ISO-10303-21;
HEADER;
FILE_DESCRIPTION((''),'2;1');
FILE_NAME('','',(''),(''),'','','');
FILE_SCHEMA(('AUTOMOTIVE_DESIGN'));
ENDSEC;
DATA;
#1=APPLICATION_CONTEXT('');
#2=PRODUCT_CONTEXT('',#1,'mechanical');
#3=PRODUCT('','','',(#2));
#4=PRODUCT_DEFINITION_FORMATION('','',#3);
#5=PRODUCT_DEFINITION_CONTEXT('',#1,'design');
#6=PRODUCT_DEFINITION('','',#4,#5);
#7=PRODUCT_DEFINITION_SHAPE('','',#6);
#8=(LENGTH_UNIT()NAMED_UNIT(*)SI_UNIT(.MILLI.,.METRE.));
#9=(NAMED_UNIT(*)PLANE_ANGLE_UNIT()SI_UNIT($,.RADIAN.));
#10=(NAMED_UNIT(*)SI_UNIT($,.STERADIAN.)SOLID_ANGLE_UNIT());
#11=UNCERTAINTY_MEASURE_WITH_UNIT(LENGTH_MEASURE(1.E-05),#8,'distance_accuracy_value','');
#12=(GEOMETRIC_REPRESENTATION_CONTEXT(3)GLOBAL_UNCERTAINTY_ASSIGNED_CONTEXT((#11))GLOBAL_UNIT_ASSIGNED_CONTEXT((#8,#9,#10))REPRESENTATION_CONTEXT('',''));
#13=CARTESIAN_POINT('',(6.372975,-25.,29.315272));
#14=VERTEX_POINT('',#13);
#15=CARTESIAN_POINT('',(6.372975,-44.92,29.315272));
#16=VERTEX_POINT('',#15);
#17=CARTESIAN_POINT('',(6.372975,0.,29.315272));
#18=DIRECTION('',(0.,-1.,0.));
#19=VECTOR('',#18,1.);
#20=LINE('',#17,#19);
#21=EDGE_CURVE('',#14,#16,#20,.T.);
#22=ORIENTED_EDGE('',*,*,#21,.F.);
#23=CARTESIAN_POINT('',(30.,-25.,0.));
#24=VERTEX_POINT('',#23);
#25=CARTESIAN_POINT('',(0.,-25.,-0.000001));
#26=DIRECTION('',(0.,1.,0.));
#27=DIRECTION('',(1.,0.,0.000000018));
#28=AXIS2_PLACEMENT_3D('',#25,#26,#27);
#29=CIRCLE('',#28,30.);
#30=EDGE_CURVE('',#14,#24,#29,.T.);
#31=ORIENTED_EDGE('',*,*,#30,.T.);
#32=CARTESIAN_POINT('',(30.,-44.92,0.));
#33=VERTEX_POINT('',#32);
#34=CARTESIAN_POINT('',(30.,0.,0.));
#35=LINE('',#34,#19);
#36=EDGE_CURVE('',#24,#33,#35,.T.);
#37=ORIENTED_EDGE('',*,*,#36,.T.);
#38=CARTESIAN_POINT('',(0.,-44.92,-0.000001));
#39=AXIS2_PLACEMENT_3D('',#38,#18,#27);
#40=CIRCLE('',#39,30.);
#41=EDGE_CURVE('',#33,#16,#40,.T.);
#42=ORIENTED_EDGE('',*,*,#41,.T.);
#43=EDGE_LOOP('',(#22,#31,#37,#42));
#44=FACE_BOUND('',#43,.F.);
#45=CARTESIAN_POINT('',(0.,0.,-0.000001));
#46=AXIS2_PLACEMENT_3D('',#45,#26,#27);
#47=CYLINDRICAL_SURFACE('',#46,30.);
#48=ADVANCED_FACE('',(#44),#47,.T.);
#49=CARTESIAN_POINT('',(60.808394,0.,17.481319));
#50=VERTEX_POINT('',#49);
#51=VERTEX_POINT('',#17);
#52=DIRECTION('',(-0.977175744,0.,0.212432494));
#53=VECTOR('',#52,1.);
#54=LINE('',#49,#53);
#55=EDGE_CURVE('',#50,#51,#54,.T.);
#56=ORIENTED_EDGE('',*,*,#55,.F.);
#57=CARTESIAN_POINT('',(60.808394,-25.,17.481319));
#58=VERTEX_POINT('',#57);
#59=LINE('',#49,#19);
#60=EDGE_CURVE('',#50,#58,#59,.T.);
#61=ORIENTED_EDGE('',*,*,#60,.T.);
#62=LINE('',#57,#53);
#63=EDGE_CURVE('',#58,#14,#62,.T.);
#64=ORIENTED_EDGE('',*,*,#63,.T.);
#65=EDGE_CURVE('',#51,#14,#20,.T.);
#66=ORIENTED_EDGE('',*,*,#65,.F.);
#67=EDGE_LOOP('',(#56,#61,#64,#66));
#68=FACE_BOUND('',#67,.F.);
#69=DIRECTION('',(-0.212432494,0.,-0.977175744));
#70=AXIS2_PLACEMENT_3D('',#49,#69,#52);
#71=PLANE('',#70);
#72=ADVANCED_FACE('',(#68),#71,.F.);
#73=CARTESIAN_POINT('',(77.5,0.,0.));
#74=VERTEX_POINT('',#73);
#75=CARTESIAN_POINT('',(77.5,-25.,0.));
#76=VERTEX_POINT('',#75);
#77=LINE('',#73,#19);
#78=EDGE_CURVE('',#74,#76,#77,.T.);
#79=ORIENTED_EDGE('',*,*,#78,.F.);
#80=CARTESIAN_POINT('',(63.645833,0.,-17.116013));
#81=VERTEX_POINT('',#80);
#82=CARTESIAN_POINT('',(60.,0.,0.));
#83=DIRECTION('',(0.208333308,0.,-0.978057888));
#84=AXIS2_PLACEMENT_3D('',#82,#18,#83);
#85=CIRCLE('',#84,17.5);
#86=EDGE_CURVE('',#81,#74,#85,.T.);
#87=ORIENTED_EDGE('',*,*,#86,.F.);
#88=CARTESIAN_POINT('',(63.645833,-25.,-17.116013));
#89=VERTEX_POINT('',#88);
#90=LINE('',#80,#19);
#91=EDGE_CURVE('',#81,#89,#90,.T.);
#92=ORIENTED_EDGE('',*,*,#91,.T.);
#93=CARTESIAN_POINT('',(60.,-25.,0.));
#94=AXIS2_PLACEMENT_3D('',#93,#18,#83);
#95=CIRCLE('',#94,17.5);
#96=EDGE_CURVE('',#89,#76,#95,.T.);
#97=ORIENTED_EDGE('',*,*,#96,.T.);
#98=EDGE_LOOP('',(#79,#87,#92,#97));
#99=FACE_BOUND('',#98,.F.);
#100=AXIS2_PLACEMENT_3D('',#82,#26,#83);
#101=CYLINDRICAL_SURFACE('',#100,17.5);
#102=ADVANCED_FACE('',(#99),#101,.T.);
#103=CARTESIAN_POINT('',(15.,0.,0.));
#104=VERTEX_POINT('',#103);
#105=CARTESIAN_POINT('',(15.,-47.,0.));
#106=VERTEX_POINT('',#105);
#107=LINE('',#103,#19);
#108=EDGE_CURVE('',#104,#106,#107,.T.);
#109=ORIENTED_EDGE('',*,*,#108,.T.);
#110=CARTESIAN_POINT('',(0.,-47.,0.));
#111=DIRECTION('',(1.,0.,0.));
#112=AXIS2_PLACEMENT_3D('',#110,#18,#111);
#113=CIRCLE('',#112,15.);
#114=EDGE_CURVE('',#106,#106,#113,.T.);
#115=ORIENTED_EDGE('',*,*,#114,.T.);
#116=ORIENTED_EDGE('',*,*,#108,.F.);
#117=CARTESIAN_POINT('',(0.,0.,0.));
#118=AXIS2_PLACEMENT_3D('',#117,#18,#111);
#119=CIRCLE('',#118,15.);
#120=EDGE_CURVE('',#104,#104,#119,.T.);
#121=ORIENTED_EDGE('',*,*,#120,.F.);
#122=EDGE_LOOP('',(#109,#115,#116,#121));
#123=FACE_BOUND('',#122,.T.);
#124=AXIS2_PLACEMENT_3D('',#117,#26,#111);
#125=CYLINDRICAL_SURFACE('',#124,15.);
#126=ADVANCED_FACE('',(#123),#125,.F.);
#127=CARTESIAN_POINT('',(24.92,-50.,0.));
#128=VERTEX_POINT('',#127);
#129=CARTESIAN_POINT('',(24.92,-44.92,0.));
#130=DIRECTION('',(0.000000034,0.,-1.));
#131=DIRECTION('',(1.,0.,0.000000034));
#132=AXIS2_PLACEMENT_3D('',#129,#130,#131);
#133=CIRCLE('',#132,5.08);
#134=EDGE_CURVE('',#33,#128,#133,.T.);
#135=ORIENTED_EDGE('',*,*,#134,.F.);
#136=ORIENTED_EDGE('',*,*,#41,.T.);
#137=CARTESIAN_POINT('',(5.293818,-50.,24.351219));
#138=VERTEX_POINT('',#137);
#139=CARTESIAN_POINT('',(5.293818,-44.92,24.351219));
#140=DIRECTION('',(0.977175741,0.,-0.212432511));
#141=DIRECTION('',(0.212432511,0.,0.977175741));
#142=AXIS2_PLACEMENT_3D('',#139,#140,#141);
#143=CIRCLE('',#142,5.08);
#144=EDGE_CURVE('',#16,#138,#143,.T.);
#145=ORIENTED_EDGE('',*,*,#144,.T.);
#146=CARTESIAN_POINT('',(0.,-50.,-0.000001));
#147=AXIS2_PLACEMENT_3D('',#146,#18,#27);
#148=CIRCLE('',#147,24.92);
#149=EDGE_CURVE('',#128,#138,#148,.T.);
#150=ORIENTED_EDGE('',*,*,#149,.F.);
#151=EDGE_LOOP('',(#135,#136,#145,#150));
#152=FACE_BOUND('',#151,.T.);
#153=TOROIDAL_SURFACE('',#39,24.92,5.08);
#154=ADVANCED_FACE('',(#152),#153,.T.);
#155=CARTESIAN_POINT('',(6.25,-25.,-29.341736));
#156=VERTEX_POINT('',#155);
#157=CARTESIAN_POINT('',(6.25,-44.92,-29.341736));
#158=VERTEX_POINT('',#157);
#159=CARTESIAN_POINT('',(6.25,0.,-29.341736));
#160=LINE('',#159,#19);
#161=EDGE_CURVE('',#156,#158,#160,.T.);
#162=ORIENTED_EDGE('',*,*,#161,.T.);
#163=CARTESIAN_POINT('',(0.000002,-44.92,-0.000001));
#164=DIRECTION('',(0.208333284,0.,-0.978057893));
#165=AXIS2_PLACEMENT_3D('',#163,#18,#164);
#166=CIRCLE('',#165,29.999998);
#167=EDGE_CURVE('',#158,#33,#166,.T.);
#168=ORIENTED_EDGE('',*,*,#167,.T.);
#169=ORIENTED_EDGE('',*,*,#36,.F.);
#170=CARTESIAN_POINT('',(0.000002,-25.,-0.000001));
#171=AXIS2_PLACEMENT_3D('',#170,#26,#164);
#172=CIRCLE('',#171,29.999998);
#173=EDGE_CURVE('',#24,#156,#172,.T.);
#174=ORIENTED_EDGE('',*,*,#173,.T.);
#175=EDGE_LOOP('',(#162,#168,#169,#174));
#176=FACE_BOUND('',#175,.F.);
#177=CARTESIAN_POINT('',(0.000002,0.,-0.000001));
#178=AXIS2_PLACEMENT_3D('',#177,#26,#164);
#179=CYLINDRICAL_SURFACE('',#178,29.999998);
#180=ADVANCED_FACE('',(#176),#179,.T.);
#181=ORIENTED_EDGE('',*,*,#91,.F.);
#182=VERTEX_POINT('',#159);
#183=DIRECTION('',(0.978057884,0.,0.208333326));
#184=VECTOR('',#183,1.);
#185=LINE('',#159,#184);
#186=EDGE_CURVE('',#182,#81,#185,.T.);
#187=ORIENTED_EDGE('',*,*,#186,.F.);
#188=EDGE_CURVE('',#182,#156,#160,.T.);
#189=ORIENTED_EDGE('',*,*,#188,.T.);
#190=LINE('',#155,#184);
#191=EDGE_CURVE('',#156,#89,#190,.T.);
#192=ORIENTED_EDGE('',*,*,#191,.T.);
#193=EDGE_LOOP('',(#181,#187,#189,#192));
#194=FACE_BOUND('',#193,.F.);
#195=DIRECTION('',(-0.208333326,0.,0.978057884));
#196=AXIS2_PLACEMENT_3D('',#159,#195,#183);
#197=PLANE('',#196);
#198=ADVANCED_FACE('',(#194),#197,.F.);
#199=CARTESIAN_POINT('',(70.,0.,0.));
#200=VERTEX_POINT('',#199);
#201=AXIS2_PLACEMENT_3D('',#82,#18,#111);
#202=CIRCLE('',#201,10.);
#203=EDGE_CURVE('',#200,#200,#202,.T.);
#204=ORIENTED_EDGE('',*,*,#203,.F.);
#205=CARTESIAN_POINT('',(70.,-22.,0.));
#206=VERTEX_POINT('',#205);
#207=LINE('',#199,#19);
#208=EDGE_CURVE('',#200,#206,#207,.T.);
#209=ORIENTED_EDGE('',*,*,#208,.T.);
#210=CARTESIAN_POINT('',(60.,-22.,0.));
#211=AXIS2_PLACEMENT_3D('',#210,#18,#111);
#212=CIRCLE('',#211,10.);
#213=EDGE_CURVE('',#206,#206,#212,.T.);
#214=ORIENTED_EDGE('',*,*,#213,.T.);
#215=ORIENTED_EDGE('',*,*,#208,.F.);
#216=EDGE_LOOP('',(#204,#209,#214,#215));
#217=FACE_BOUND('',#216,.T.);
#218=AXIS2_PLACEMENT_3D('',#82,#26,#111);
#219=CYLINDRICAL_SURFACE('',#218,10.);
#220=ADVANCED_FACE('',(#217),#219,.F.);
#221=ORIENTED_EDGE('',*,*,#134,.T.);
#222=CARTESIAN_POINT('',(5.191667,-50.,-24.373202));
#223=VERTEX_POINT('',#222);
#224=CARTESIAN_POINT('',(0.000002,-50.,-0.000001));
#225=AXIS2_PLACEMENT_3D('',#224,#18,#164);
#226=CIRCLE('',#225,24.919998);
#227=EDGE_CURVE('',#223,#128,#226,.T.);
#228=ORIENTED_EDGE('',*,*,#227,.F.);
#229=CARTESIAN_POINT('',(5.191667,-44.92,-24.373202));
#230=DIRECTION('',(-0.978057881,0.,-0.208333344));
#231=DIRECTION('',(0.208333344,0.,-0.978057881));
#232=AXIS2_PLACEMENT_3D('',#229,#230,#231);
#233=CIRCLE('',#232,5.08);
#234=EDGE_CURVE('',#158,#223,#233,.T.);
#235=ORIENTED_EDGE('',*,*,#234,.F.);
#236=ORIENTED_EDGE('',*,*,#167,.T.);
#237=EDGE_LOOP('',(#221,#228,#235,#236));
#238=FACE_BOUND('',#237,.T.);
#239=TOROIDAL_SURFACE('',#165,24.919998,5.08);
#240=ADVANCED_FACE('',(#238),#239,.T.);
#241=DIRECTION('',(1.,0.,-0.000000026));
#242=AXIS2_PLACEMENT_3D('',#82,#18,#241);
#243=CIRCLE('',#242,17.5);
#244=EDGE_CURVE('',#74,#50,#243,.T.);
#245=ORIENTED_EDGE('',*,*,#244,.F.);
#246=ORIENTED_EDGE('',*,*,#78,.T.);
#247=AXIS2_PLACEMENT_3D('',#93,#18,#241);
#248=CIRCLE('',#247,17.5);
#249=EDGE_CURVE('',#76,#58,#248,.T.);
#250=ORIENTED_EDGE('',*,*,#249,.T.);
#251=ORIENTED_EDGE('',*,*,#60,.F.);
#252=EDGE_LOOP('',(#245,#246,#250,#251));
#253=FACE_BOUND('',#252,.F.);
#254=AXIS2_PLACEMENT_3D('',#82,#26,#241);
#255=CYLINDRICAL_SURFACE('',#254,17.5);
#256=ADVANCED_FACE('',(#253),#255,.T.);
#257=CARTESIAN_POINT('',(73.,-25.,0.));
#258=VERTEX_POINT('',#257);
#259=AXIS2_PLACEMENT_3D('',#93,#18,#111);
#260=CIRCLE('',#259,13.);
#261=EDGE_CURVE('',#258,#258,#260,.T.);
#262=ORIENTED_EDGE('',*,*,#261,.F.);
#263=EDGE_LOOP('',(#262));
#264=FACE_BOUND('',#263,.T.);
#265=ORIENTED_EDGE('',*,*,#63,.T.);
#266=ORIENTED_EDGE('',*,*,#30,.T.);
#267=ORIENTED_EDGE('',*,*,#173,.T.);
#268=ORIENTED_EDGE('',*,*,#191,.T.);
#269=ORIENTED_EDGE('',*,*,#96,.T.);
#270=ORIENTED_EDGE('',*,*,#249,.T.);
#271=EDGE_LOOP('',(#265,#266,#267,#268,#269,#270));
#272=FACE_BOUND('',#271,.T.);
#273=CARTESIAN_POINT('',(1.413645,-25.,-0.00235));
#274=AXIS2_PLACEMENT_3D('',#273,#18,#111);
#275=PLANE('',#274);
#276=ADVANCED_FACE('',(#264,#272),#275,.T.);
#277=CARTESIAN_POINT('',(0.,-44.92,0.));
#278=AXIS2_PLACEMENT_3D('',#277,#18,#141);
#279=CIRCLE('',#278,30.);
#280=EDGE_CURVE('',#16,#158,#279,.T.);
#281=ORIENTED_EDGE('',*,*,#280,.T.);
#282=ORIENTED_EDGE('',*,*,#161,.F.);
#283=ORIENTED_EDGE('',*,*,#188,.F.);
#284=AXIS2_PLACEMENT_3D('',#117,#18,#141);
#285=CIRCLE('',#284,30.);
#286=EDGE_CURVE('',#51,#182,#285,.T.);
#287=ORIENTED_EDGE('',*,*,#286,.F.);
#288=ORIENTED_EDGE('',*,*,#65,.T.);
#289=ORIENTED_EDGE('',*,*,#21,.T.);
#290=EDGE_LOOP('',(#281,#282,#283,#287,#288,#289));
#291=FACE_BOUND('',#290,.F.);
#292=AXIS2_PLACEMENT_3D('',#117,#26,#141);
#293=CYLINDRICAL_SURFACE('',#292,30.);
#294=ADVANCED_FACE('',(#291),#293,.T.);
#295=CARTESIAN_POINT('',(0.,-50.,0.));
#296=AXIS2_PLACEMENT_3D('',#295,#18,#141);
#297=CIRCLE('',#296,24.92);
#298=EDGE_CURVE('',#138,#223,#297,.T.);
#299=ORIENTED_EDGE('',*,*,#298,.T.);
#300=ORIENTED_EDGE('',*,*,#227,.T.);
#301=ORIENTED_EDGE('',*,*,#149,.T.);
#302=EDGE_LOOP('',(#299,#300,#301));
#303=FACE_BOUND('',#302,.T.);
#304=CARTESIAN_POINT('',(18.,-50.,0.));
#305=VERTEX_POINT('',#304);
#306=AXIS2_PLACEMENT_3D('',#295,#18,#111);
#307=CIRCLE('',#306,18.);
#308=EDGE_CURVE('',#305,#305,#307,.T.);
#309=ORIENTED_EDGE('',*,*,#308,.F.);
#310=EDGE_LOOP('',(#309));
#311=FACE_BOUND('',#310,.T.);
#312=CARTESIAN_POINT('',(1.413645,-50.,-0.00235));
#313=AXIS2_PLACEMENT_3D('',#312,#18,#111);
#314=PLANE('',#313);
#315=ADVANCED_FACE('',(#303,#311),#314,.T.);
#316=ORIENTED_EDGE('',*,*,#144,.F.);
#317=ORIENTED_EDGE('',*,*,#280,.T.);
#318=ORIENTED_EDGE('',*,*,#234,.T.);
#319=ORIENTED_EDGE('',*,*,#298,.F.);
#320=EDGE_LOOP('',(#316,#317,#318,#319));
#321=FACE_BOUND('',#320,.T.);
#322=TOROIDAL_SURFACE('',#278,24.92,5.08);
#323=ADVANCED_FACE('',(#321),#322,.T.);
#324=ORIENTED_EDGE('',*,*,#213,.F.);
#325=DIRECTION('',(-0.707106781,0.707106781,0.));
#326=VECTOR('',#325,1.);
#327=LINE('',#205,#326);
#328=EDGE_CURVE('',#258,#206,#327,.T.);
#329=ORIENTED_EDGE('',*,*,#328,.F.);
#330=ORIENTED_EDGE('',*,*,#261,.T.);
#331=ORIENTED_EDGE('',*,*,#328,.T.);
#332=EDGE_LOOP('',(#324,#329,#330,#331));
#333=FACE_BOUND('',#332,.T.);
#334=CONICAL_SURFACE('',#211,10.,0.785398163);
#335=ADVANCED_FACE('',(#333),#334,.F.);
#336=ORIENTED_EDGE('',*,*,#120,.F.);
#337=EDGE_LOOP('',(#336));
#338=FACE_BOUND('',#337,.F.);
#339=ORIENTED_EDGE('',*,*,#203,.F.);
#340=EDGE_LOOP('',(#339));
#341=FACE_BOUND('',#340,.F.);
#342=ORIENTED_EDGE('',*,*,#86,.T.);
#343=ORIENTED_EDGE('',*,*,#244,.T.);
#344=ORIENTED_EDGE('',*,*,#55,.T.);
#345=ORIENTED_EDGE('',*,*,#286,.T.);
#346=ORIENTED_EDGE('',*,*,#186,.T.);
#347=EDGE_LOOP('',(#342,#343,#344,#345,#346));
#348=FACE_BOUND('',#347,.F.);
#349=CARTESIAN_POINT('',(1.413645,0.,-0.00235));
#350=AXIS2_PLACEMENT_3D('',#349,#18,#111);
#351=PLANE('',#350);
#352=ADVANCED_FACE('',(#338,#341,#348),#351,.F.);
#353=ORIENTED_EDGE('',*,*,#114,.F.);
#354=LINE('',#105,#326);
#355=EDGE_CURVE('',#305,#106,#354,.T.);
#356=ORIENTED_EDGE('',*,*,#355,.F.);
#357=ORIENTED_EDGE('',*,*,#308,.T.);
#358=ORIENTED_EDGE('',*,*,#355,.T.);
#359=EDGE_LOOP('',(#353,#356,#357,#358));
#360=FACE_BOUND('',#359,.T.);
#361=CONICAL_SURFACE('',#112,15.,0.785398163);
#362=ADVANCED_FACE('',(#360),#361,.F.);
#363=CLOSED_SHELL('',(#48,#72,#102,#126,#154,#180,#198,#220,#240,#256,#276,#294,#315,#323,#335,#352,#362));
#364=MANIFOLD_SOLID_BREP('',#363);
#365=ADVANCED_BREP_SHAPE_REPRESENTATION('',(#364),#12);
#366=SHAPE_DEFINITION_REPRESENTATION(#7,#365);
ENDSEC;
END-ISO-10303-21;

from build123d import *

# Parameters (mm, degrees)
F0_R     = 15
F0_R_2   = 10
F1_DEPTH = 25
F2_DEPTH = 50
F3_R     = 5.08
F4_SIZE  = 3


with BuildPart() as f1:
    # F0 (on Front) → F1 (new body)
    with BuildSketch(Plane.XZ):
        with BuildLine():
            ThreePointArc((6.25, -29.341736), (23.318448, -18.874586), (30, 0))
            ThreePointArc((30, 0), (23.357967, 18.825657), (6.372975, 29.315272))
            ThreePointArc((6.372975, 29.315272), (-29.999934, 0.062895), (6.25, -29.341736))
        make_face()
        Circle(F0_R, mode=Mode.SUBTRACT)
        with BuildLine():
            ThreePointArc((6.372975, 29.315272), (23.357967, 18.825657), (30, 0))
            ThreePointArc((30, 0), (23.318448, -18.874586), (6.25, -29.341736))
            Line((6.25, -29.341736), (63.645833, -17.116013))
            ThreePointArc((63.645833, -17.116013), (42.558559, -1.430429), (60.808394, 17.481319))
            Line((60.808394, 17.481319), (6.372975, 29.315272))
        make_face()
        with BuildLine():
            ThreePointArc((77.5, 0), (72.656953, 12.085179), (60.808394, 17.481319))
            ThreePointArc((60.808394, 17.481319), (42.558559, -1.430429), (63.645833, -17.116013))
            ThreePointArc((63.645833, -17.116013), (73.602428, -11.010175), (77.5, 0))
        make_face()
        with Locations((60, 0)):
            Circle(F0_R_2, mode=Mode.SUBTRACT)
    extrude(amount=F1_DEPTH)

    # F0 (on Front) → F2 (join)
    with BuildSketch(Plane.XZ):
        with BuildLine():
            ThreePointArc((6.25, -29.341736), (23.318448, -18.874586), (30, 0))
            ThreePointArc((30, 0), (23.357967, 18.825657), (6.372975, 29.315272))
            ThreePointArc((6.372975, 29.315272), (-29.999934, 0.062895), (6.25, -29.341736))
        make_face()
        Circle(F0_R, mode=Mode.SUBTRACT)
    extrude(amount=F2_DEPTH)

    # F3
    f3_edges = [f1.edges().sort_by_distance(p)[0] for p in [
        (-6.25, -50, 29.341736),
    ]]
    fillet(f3_edges, radius=F3_R)

    # F4
    f4_edges = [f1.edges().sort_by_distance(p)[0] for p in [
        (-15, -50, 0),
        (50, -25, 0),
    ]]
    chamfer(f4_edges, length=F4_SIZE)


solid = f1.part
